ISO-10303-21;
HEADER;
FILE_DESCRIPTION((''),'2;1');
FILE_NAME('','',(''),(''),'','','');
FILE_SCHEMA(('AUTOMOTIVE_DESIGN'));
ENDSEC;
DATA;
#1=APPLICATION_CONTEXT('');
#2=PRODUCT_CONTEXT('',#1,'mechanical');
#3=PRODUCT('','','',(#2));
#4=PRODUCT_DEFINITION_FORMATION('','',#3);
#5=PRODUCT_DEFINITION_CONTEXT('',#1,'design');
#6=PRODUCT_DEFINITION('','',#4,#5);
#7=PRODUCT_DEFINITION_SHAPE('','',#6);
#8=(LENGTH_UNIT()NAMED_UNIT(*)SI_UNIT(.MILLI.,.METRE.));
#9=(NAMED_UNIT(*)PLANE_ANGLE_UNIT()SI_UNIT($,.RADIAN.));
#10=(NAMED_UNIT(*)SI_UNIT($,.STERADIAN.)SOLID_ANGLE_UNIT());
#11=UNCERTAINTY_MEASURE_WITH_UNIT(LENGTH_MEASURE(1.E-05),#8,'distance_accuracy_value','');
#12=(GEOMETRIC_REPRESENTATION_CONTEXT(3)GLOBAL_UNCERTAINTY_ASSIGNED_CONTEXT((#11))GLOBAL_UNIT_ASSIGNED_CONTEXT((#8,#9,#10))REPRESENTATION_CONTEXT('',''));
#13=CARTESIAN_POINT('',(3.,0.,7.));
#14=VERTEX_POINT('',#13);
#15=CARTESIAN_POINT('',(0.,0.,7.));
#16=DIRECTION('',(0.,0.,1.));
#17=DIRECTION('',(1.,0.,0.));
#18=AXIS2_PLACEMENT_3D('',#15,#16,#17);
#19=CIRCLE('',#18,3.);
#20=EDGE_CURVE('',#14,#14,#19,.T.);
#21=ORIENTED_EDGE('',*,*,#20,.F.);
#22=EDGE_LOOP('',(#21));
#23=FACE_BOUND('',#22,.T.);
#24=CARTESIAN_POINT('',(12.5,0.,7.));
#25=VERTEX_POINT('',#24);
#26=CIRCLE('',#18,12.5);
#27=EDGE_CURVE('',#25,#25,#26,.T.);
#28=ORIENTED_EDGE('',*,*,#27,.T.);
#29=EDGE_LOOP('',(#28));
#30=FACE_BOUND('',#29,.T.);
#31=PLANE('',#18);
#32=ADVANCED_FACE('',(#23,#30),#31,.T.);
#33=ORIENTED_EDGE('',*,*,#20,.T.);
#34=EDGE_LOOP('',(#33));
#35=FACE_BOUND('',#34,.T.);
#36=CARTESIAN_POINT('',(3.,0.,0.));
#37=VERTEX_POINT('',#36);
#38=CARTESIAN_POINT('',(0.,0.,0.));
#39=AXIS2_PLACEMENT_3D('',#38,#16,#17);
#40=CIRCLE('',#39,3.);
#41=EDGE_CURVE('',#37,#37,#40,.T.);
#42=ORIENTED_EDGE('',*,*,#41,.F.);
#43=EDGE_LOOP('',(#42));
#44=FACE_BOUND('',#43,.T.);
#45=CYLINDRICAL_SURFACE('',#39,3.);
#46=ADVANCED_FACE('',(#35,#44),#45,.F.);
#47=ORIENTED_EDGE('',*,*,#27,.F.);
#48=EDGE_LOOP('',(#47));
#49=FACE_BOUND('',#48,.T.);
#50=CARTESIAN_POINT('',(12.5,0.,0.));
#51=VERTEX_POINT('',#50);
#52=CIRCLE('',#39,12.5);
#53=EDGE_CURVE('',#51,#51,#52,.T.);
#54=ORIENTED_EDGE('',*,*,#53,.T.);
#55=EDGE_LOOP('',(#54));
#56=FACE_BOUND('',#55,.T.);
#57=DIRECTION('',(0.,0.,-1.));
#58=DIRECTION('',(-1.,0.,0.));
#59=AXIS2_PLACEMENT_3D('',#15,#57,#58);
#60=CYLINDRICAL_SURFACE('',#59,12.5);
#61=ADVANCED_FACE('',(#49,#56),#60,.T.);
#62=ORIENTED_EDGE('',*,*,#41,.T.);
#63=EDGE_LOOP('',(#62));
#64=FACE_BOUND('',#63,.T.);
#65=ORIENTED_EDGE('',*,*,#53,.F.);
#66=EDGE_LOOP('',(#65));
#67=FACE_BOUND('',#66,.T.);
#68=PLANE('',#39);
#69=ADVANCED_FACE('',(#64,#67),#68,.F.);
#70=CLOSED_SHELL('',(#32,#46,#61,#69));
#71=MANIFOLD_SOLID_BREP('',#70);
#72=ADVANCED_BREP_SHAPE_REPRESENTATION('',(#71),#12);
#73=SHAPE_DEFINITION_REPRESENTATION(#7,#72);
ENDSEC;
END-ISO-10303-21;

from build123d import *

# Parameters (mm, degrees)
SKETCH2_R           = 12.5
BOSS_EXTRUDE1_DEPTH = 7
SKETCH3_R           = 3
CUT_EXTRUDE1_DEPTH  = 7


with BuildPart() as part:
    # Sketch2 → Boss-Extrude1 (new body)
    with BuildSketch(Plane.XY):
        Circle(SKETCH2_R)
    extrude(amount=BOSS_EXTRUDE1_DEPTH)

    # Sketch3 → Cut-Extrude1 (cut)
    with BuildSketch(Plane.XY.offset(7)):
        Circle(SKETCH3_R)
    extrude(amount=-CUT_EXTRUDE1_DEPTH, mode=Mode.SUBTRACT)


solid = part.part
